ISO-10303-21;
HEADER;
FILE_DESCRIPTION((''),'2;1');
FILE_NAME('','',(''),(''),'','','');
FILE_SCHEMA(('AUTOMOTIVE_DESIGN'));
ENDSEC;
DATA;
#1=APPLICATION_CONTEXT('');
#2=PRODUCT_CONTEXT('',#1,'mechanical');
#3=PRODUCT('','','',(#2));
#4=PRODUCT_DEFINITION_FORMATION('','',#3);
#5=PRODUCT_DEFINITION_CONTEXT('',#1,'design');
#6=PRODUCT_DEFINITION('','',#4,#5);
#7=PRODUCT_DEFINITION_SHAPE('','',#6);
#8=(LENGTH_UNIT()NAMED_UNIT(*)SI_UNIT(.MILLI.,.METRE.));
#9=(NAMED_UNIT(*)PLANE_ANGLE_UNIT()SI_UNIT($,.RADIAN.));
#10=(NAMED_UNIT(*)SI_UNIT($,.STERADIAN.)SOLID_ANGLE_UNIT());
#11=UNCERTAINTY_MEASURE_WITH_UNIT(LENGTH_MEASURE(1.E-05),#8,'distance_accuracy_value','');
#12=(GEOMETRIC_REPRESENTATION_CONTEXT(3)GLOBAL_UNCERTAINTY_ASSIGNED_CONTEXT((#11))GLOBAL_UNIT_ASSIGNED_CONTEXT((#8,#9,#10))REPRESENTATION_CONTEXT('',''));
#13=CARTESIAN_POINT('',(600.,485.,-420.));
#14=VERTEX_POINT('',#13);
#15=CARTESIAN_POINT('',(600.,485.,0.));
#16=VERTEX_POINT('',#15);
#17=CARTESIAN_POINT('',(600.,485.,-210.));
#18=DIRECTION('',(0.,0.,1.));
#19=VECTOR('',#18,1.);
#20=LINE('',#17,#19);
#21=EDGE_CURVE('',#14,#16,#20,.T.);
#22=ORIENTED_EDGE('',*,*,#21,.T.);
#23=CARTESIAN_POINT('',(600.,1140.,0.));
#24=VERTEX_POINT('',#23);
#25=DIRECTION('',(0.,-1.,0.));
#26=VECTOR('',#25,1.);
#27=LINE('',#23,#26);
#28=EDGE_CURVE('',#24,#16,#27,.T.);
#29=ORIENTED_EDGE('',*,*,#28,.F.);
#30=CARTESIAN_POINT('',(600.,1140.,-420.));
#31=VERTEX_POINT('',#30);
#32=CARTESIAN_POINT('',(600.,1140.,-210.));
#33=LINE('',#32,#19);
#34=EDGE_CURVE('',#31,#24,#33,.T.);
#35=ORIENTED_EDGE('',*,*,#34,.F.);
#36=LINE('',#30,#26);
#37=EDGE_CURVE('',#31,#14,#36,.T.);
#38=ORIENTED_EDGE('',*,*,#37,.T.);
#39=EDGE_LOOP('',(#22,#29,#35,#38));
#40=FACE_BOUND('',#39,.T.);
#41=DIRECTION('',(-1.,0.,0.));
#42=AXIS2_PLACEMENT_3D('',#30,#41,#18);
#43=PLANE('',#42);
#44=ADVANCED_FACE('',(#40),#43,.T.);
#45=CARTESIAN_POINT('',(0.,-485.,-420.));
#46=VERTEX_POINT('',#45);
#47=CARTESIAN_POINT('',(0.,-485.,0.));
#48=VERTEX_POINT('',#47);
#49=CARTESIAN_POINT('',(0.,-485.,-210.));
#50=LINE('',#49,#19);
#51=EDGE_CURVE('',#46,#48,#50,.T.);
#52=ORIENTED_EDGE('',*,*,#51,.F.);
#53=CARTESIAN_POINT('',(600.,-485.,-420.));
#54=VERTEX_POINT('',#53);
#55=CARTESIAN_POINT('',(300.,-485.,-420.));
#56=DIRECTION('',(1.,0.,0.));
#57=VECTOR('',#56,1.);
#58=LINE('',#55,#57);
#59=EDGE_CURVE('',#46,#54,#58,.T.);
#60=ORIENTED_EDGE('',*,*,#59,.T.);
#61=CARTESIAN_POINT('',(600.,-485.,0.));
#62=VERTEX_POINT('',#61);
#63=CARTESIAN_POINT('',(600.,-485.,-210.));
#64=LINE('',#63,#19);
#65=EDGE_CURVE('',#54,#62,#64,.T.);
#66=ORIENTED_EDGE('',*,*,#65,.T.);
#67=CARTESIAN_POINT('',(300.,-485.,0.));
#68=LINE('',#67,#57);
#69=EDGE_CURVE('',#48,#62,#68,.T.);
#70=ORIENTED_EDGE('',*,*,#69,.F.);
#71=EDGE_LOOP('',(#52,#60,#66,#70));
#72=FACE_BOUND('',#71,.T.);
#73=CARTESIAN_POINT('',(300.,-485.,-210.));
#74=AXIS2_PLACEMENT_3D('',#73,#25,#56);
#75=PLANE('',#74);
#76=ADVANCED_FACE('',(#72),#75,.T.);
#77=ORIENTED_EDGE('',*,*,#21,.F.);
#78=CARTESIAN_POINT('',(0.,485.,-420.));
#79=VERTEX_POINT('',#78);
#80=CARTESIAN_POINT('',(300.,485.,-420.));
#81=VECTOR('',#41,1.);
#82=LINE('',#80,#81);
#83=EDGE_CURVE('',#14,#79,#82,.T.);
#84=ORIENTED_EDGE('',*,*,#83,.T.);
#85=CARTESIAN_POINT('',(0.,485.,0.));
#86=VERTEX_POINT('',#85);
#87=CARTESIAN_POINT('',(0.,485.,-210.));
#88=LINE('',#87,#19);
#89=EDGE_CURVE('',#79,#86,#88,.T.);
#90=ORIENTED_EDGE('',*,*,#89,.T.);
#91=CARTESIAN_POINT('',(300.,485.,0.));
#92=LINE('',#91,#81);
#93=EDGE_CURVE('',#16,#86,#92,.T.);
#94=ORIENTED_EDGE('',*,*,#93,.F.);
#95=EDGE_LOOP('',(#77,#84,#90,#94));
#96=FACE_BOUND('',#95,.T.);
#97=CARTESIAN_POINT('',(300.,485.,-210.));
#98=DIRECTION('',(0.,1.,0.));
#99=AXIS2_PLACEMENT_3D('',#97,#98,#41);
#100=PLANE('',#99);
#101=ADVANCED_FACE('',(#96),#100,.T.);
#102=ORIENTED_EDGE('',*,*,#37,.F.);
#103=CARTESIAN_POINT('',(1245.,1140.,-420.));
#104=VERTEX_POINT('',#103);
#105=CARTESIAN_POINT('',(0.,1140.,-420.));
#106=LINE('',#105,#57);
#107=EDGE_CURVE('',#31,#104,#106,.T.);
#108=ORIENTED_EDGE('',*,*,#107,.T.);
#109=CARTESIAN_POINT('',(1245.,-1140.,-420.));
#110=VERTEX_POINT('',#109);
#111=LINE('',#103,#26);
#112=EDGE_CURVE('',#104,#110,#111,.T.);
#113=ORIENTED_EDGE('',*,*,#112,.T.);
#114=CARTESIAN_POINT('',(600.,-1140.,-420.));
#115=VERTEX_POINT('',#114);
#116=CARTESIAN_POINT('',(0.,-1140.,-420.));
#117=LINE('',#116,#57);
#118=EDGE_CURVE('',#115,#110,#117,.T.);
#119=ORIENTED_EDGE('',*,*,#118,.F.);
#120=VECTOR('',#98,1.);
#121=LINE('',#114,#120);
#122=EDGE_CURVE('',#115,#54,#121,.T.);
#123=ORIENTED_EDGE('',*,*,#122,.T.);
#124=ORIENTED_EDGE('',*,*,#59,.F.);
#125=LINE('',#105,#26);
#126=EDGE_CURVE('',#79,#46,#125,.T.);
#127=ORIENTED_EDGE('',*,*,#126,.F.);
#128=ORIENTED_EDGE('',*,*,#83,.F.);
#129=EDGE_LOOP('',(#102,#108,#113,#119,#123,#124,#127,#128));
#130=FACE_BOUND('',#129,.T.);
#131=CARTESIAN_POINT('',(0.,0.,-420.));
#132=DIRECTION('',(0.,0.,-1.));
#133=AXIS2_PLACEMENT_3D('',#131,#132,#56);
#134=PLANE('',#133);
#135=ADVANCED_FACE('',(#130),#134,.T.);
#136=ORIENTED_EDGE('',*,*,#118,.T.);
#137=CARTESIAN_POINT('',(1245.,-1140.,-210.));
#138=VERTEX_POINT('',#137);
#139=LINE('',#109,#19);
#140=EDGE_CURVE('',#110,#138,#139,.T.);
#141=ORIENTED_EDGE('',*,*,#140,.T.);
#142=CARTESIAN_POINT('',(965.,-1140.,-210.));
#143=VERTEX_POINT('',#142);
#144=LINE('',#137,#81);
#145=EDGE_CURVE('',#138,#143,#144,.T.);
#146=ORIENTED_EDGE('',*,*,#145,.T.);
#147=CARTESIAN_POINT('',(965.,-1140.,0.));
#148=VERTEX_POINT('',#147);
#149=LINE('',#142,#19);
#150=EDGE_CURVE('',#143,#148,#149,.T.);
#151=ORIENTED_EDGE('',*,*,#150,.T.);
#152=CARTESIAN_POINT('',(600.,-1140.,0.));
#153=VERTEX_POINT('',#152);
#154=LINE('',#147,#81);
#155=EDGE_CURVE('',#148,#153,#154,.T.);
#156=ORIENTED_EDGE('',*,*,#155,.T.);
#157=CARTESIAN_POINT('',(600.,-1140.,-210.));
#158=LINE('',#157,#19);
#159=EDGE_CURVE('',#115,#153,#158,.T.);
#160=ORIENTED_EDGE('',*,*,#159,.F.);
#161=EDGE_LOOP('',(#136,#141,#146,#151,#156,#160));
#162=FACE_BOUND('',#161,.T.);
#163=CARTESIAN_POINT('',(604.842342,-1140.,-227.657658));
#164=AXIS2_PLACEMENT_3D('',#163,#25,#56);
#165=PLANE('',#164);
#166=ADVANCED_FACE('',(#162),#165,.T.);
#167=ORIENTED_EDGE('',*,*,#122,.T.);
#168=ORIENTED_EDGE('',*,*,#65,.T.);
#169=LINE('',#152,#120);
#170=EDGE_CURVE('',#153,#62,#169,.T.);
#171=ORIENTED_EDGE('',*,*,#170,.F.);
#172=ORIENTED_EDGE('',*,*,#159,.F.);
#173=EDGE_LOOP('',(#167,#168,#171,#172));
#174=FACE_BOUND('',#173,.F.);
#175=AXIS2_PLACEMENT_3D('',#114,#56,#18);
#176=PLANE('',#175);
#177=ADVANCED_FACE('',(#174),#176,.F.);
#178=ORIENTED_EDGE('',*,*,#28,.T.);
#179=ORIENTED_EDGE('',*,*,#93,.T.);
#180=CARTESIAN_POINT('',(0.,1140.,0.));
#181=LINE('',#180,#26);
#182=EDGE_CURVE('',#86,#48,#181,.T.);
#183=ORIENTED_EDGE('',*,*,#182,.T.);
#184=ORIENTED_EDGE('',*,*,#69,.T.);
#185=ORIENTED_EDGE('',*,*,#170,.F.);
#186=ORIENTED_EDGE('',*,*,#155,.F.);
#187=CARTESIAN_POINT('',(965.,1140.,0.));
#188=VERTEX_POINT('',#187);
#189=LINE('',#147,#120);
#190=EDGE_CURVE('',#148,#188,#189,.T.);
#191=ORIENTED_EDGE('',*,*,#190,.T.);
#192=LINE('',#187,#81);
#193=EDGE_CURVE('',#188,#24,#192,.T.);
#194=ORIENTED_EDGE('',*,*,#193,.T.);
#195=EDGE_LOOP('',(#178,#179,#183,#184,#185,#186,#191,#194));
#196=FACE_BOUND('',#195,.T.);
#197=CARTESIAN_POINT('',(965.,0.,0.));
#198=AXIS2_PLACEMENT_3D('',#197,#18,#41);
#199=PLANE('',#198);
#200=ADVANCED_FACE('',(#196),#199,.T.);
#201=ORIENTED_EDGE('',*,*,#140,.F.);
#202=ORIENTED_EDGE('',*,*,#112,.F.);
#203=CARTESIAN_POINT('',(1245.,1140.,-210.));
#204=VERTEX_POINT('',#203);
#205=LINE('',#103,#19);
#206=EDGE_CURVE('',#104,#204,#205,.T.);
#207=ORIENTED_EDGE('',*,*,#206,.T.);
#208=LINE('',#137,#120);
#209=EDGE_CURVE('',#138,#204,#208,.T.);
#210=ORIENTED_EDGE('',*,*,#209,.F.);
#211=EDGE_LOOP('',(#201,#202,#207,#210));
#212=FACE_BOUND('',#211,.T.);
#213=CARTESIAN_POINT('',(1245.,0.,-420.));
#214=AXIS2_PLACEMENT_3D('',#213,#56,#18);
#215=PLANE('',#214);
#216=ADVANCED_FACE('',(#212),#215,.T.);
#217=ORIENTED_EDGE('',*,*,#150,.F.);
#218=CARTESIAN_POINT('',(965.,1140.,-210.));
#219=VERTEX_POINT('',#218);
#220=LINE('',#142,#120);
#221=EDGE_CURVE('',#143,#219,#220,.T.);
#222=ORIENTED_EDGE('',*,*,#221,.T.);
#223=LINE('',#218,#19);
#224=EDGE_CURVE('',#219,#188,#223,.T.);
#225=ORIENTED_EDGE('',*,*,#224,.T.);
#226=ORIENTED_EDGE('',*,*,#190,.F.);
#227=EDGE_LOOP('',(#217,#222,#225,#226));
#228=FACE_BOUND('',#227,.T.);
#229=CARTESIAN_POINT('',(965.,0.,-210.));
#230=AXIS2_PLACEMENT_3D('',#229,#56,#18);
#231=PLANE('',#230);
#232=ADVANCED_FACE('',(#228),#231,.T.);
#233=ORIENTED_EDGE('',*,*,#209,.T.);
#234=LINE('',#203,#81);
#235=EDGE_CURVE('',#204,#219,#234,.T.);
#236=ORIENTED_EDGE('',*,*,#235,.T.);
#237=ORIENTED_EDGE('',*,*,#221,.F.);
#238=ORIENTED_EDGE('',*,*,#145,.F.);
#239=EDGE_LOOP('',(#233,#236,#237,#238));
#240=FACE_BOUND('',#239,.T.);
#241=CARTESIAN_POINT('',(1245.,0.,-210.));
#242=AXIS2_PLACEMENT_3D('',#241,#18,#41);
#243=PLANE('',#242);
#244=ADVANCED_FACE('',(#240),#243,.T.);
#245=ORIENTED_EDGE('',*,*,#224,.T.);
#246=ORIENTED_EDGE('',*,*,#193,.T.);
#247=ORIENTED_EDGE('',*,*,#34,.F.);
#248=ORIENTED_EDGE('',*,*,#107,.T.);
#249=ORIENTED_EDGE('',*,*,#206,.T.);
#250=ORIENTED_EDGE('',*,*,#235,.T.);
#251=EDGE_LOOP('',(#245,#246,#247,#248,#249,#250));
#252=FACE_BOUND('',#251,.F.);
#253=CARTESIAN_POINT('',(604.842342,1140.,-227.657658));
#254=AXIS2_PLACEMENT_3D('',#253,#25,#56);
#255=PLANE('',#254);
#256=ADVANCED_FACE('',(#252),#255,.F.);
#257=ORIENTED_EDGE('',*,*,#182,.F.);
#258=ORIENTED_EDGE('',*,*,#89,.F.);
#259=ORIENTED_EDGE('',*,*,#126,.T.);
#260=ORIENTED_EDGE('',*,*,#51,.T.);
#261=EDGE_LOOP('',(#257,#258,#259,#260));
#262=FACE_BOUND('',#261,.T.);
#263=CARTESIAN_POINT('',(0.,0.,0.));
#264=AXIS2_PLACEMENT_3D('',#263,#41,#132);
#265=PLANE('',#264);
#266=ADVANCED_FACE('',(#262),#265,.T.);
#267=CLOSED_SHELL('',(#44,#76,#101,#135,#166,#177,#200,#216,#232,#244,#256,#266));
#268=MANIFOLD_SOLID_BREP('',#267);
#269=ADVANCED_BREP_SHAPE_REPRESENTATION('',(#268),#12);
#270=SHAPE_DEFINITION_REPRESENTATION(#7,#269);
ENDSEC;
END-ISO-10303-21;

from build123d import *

# Parameters (mm, degrees)
F1_DEPTH = 1140
F2_W     = 600
F2_H     = 420
F3_DEPTH = 655
F4_W     = 600
F4_H     = 420
F5_DEPTH = 655


with BuildPart() as f1:
    # F0 (on Front) → F1 (new body, symmetric)
    with BuildSketch(Plane.XZ):
        Polygon((965, 0), (0, 0), (0, -420), (1245, -420), (1245, -210), (965, -210), align=None)
    extrude(amount=F1_DEPTH, both=True)

    # F2 (on face) → F3 (cut)
    with BuildSketch(Plane.XZ.offset(1140)):
        with Locations((300, -210)):
            Rectangle(F2_W, F2_H)
    extrude(amount=-F3_DEPTH, mode=Mode.SUBTRACT)

    # F4 (on face) → F5 (cut)
    with BuildSketch(Plane(origin=(0, 1140, 0), x_dir=(-1, 0, 0), z_dir=(0, 1, 0))):
        with Locations((-300, -210)):
            Rectangle(F4_W, F4_H)
    extrude(amount=-F5_DEPTH, mode=Mode.SUBTRACT)


solid = f1.part
